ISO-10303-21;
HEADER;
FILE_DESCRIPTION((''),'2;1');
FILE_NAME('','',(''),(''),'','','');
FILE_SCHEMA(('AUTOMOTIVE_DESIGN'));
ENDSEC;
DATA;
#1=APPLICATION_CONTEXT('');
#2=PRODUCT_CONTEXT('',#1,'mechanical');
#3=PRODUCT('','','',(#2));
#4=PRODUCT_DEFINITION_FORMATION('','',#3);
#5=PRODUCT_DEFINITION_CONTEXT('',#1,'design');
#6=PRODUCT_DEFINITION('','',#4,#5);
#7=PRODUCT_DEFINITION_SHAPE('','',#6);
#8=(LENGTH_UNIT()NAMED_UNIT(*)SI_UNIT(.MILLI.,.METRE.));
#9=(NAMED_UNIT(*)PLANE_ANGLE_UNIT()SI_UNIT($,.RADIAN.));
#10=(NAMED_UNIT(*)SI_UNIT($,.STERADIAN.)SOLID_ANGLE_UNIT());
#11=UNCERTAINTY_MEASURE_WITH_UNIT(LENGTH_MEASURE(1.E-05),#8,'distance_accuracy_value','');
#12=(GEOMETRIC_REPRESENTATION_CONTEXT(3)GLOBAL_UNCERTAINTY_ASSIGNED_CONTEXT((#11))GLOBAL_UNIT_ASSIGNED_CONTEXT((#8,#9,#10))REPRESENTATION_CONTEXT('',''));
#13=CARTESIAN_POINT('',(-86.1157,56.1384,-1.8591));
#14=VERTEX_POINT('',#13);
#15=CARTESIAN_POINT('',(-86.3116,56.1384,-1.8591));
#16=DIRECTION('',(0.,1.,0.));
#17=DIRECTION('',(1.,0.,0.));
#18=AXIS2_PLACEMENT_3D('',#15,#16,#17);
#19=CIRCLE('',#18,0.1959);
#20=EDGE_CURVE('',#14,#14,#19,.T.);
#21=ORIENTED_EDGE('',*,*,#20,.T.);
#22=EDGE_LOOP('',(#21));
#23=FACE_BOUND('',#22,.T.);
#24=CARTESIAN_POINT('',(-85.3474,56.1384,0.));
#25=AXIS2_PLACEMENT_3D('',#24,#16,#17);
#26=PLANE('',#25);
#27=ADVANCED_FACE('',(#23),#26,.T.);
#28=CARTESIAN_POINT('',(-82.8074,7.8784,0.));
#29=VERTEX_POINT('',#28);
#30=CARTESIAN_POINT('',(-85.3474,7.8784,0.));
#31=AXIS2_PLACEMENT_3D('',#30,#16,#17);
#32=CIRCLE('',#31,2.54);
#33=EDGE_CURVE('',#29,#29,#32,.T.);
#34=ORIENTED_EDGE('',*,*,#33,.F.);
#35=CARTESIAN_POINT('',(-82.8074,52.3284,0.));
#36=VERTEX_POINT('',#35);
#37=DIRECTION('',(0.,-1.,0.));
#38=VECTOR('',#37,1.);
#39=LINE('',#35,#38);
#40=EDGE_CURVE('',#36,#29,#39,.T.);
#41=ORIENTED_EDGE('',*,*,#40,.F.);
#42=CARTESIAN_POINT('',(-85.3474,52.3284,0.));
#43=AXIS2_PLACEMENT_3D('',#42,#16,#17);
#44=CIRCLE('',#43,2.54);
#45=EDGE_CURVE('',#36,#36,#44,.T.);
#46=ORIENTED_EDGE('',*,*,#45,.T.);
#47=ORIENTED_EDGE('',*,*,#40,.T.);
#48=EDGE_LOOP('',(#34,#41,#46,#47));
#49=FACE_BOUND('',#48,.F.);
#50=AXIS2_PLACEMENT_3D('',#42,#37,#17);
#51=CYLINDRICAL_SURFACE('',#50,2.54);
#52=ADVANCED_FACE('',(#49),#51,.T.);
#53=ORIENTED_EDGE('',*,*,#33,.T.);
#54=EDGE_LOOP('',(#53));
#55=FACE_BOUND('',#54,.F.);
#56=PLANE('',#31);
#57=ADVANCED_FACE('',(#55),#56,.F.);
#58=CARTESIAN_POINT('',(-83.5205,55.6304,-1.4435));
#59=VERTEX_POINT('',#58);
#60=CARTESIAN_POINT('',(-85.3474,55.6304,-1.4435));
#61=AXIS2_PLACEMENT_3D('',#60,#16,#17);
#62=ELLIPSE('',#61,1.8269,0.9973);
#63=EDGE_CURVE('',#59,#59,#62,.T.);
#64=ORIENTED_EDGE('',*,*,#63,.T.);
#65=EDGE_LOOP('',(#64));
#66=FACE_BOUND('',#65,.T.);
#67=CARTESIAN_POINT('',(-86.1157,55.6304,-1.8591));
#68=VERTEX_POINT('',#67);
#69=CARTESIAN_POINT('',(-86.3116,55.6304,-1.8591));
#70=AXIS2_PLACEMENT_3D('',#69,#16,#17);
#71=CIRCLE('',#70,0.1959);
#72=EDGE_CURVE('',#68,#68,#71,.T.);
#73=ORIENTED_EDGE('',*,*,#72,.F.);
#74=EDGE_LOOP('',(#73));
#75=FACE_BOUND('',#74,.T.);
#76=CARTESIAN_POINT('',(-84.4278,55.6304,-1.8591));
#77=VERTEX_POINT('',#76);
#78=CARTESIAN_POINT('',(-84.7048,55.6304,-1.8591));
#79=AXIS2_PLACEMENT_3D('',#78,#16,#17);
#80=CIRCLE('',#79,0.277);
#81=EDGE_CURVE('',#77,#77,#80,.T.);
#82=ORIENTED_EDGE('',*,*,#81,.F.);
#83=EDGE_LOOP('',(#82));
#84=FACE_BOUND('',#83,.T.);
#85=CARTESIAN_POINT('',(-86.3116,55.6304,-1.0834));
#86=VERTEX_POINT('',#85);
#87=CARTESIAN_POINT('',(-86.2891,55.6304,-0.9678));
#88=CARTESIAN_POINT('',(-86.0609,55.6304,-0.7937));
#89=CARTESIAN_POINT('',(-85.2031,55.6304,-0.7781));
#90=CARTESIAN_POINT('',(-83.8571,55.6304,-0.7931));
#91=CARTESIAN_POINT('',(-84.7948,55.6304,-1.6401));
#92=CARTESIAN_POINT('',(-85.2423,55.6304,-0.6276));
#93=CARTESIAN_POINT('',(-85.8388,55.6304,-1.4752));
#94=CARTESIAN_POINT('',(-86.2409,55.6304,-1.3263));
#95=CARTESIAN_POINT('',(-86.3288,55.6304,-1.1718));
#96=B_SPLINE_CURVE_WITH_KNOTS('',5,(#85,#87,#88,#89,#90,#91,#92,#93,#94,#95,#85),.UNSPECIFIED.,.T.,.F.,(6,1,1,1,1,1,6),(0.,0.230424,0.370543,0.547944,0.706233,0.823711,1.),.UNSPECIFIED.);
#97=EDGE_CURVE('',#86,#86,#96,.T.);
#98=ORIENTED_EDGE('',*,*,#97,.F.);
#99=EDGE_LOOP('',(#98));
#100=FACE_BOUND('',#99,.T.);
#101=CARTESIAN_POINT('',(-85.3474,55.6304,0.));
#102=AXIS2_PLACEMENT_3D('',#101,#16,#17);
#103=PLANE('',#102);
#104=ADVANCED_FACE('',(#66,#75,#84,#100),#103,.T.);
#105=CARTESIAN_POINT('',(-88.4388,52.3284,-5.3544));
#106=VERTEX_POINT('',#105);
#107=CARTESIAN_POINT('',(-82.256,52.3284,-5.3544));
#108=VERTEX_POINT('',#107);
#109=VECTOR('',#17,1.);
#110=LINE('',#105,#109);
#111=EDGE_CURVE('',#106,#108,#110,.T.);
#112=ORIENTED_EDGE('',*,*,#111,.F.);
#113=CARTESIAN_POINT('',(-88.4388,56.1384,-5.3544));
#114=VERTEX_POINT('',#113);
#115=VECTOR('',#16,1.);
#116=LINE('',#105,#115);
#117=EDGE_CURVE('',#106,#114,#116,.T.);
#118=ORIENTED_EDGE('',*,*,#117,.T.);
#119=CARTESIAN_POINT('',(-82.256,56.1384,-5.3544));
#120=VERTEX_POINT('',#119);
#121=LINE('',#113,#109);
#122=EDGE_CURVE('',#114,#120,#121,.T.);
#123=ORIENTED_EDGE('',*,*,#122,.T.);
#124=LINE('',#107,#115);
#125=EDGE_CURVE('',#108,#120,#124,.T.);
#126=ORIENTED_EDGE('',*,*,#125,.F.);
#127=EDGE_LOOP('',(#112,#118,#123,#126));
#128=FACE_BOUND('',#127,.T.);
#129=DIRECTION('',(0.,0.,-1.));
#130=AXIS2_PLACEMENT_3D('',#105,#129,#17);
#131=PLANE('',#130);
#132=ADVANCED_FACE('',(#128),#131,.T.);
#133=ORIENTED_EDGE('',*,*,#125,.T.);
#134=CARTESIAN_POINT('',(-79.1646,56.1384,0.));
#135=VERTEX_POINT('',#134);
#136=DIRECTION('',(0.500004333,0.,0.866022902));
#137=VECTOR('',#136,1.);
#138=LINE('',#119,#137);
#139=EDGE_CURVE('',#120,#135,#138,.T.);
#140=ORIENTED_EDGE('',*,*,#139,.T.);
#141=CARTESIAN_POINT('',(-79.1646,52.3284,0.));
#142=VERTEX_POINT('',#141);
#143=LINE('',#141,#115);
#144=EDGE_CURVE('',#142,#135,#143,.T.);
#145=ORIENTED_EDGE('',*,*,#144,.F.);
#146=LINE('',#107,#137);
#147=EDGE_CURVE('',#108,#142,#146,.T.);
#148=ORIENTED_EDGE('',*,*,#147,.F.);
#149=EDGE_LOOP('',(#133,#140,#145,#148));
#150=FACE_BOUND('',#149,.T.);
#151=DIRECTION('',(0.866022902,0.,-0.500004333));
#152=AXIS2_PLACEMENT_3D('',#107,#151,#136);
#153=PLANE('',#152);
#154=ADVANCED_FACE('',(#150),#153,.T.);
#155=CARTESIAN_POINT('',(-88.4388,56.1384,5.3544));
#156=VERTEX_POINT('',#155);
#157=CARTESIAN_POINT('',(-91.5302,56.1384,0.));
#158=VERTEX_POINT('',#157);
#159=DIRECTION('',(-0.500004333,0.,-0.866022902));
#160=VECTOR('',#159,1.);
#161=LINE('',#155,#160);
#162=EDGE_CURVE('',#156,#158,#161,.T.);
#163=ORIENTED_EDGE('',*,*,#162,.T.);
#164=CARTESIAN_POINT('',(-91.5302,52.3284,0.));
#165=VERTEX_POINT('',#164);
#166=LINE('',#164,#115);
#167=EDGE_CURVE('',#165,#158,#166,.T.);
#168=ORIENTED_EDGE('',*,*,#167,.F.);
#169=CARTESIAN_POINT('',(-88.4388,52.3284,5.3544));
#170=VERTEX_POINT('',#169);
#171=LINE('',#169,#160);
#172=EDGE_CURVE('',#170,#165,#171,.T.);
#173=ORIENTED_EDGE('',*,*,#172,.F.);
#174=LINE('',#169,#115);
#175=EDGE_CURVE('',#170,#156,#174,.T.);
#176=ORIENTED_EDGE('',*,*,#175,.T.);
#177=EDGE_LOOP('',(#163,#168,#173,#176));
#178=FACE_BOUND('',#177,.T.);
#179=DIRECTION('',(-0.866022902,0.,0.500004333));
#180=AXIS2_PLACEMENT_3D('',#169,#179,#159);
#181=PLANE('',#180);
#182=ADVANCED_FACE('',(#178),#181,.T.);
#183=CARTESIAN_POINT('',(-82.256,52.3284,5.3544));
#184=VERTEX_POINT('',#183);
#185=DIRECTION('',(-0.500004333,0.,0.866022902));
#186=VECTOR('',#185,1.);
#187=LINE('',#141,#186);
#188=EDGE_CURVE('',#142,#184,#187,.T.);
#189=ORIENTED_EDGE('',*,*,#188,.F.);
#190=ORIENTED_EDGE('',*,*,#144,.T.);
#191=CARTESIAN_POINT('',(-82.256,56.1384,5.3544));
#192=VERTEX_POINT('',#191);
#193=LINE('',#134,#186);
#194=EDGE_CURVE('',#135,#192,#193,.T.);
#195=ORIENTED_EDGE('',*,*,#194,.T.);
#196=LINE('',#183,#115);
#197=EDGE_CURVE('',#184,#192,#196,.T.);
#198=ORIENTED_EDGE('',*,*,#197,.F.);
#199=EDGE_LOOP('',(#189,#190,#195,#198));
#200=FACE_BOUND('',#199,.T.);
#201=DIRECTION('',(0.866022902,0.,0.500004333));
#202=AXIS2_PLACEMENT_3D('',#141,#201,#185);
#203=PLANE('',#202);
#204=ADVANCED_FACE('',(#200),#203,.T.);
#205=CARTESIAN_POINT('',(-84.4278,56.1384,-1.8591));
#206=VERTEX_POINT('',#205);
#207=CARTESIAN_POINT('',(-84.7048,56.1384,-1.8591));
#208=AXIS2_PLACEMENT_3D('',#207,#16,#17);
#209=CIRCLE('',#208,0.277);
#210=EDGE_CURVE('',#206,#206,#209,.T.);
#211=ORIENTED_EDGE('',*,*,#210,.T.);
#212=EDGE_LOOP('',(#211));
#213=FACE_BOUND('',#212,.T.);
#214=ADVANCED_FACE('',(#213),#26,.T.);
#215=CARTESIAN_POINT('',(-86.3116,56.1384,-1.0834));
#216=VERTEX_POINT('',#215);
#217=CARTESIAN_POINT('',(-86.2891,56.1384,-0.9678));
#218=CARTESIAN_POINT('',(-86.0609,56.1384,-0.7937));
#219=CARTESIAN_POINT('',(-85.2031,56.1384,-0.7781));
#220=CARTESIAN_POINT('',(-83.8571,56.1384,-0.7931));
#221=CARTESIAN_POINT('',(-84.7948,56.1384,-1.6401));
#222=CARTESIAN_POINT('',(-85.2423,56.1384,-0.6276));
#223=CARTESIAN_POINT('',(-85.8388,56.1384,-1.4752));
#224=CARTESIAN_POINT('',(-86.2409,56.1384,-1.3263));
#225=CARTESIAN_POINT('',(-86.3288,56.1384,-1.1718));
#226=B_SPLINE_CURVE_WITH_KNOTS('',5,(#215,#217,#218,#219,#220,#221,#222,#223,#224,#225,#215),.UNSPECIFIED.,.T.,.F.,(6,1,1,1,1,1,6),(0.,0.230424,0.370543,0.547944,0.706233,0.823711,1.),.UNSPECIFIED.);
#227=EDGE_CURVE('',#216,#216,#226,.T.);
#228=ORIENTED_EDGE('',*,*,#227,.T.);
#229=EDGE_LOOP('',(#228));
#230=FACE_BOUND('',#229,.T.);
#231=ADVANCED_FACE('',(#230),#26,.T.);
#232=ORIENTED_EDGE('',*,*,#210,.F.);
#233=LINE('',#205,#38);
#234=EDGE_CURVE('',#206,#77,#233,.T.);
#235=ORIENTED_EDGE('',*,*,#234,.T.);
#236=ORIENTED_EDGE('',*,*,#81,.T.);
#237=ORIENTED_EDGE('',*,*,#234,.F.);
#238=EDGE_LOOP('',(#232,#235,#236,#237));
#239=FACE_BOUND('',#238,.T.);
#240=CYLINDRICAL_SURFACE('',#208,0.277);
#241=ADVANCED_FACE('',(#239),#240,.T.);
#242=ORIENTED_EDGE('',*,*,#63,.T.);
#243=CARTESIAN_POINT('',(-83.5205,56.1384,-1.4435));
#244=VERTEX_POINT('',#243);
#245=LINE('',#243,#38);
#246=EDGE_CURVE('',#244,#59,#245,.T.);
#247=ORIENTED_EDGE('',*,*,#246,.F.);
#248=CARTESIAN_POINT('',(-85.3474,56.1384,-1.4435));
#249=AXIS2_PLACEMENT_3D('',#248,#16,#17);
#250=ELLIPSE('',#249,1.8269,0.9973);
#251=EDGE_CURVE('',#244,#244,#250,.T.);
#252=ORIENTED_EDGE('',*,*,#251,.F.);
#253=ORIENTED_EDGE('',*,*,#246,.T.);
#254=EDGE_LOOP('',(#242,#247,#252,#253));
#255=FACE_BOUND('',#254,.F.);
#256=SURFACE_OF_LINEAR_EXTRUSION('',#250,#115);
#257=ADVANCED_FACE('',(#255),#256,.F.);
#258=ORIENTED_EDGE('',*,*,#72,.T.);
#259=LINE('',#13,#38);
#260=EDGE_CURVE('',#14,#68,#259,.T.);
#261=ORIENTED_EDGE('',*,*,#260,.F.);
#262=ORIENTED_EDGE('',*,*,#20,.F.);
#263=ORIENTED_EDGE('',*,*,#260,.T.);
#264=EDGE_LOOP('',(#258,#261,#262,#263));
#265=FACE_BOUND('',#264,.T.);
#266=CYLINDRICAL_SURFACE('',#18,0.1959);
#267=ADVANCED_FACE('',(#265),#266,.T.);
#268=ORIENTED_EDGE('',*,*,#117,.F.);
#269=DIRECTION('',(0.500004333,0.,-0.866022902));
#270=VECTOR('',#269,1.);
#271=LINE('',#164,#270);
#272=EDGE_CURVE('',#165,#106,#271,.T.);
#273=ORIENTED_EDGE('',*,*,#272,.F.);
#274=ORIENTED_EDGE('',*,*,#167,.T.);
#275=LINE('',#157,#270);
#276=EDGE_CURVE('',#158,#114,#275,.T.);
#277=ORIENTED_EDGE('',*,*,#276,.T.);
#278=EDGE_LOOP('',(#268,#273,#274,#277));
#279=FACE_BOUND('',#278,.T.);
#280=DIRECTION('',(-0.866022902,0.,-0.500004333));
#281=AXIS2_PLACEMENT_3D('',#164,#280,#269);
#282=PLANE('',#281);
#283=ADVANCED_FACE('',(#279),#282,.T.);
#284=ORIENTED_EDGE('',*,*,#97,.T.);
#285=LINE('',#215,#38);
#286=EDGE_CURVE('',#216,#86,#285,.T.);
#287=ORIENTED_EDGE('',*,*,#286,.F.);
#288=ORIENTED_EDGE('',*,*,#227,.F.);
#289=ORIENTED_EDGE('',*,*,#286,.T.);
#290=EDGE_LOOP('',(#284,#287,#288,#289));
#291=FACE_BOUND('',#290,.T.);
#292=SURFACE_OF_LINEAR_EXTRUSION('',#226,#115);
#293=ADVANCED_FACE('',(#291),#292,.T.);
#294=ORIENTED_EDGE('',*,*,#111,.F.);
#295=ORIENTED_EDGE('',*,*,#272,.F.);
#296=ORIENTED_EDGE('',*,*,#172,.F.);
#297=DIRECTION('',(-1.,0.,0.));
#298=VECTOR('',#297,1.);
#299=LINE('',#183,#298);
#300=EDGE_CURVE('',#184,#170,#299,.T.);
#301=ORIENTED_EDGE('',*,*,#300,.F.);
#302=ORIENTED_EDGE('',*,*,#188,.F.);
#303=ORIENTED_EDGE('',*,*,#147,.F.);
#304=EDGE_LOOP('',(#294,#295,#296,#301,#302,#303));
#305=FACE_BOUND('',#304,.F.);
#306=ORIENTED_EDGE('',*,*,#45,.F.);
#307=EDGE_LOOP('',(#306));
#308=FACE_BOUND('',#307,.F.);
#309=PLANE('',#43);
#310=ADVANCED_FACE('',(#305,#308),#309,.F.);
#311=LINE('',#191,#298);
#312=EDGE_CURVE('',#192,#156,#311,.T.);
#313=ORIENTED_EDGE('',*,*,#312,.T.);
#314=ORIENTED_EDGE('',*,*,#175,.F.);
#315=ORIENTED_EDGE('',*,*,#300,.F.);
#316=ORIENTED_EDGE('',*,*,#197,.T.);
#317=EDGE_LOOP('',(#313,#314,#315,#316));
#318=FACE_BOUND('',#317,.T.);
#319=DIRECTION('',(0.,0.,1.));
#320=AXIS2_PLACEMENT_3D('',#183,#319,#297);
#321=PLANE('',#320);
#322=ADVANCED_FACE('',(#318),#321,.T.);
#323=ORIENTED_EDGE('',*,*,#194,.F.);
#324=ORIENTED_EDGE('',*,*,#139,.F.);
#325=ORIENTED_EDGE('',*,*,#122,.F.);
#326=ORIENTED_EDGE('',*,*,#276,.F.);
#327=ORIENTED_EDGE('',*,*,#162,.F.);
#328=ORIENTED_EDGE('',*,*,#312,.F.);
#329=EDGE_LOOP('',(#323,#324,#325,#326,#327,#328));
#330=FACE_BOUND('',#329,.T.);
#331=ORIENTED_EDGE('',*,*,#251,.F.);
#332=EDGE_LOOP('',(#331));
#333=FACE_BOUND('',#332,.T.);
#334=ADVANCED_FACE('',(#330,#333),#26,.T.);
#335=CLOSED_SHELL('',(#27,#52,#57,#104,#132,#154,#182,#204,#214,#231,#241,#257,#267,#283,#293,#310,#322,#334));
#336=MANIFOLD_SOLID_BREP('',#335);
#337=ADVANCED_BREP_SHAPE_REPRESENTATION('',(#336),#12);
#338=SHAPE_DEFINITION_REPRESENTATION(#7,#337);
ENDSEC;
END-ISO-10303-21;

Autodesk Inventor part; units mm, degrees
ref_plane "YZ Plane" through (0, 0, 0) normal (1, 0, 0) x (0, 1, 0)
ref_plane "XZ Plane" through (0, 0, 0) normal (0, 1, 0) x (-1, 0, 0)
ref_plane "XY Plane" through (0, 0, 0) normal (0, 0, 1) x (1, 0, 0)
sketch "Sketch1" plane through (0, 0, 0) normal (0, 0, 1) x (1, 0, 0)
  line L0 (-85.3474, 52.3284) -> (-82.8074, 52.3284)
  line L1 (-82.8074, 52.3284) -> (-82.8074, 7.8784)
  line L2 (-82.8074, 7.8784) -> (-85.3474, 7.8784)
  line L3 (-85.3474, 7.8784) -> (-85.3474, 52.3284)
  point P0 (0, 0)
  dimension "d0" = 2.54
  dimension "d1" = 44.45
revolve "Revolution1" add sketch "Sketch1" angle 360 about axis through (-85.3474, 7.8784, 0) along (0, 1, 0)
sketch "Sketch2" plane through (-85.3474, 52.3284, 0) normal (0, 1, 0) x (1, 0, 0)
  circle A0 centre (0, 0) radius 2.54 projected
  line L0 (6.1828, 0) -> (3.0914, -5.3544)
  line L1 (3.0914, -5.3544) -> (-3.0914, -5.3544)
  line L2 (-3.0914, -5.3544) -> (-6.1828, 0)
  line L3 (-6.1828, 0) -> (-3.0914, 5.3544)
  line L4 (-3.0914, 5.3544) -> (3.0914, 5.3544)
  line L5 (3.0914, 5.3544) -> (6.1828, 0)
  point P0 (85.3474, 0)
extrude "Extrusion1" add sketch "Sketch2" along normal blind 3.81 contours A0 | L0 L1 L2 L3 L4 L5
sketch "Sketch3" plane through (-85.3474, 56.1384, 0) normal (0, 1, 0) x (1, 0, 0)
  line L0 (-3.0914, 5.3544) -> (3.0914, 5.3544) projected
  ellipse E0 centre (0, 1.4435) end of major axis (0, 0.4462) minor radius 1.8269
  spline S0 degree 5 poles (-0.9642, 1.0834) (-0.9417, 0.9678) (-0.7135, 0.7937) (0.1443, 0.7781) (1.4903, 0.7931) (0.5526, 1.6401) (0.1051, 0.6276) (-0.4914, 1.4752) (-0.8935, 1.3263) (-0.9814, 1.1718) (-0.9642, 1.0834) knots 0 0 0 0 0 0 0.230424 0.370543 0.547944 0.706233 0.823711 1 1 1 1 1 1
  circle A0 centre (-0.9642, 1.8591) radius 0.1959
  circle A1 centre (0.6426, 1.8591) radius 0.277
  point P0 (85.3474, 0)
  point P1 (0.9196, 1.0834)
  point P2 (0.6426, 1.2496)
  point P3 (0, 1.0834)
  point P4 (-0.7703, 1.305)
extrude "Extrusion2" cut sketch "Sketch3" against normal blind 0.508
properties part number ".2'' diameter 2.5 inch bolts for wheel"
